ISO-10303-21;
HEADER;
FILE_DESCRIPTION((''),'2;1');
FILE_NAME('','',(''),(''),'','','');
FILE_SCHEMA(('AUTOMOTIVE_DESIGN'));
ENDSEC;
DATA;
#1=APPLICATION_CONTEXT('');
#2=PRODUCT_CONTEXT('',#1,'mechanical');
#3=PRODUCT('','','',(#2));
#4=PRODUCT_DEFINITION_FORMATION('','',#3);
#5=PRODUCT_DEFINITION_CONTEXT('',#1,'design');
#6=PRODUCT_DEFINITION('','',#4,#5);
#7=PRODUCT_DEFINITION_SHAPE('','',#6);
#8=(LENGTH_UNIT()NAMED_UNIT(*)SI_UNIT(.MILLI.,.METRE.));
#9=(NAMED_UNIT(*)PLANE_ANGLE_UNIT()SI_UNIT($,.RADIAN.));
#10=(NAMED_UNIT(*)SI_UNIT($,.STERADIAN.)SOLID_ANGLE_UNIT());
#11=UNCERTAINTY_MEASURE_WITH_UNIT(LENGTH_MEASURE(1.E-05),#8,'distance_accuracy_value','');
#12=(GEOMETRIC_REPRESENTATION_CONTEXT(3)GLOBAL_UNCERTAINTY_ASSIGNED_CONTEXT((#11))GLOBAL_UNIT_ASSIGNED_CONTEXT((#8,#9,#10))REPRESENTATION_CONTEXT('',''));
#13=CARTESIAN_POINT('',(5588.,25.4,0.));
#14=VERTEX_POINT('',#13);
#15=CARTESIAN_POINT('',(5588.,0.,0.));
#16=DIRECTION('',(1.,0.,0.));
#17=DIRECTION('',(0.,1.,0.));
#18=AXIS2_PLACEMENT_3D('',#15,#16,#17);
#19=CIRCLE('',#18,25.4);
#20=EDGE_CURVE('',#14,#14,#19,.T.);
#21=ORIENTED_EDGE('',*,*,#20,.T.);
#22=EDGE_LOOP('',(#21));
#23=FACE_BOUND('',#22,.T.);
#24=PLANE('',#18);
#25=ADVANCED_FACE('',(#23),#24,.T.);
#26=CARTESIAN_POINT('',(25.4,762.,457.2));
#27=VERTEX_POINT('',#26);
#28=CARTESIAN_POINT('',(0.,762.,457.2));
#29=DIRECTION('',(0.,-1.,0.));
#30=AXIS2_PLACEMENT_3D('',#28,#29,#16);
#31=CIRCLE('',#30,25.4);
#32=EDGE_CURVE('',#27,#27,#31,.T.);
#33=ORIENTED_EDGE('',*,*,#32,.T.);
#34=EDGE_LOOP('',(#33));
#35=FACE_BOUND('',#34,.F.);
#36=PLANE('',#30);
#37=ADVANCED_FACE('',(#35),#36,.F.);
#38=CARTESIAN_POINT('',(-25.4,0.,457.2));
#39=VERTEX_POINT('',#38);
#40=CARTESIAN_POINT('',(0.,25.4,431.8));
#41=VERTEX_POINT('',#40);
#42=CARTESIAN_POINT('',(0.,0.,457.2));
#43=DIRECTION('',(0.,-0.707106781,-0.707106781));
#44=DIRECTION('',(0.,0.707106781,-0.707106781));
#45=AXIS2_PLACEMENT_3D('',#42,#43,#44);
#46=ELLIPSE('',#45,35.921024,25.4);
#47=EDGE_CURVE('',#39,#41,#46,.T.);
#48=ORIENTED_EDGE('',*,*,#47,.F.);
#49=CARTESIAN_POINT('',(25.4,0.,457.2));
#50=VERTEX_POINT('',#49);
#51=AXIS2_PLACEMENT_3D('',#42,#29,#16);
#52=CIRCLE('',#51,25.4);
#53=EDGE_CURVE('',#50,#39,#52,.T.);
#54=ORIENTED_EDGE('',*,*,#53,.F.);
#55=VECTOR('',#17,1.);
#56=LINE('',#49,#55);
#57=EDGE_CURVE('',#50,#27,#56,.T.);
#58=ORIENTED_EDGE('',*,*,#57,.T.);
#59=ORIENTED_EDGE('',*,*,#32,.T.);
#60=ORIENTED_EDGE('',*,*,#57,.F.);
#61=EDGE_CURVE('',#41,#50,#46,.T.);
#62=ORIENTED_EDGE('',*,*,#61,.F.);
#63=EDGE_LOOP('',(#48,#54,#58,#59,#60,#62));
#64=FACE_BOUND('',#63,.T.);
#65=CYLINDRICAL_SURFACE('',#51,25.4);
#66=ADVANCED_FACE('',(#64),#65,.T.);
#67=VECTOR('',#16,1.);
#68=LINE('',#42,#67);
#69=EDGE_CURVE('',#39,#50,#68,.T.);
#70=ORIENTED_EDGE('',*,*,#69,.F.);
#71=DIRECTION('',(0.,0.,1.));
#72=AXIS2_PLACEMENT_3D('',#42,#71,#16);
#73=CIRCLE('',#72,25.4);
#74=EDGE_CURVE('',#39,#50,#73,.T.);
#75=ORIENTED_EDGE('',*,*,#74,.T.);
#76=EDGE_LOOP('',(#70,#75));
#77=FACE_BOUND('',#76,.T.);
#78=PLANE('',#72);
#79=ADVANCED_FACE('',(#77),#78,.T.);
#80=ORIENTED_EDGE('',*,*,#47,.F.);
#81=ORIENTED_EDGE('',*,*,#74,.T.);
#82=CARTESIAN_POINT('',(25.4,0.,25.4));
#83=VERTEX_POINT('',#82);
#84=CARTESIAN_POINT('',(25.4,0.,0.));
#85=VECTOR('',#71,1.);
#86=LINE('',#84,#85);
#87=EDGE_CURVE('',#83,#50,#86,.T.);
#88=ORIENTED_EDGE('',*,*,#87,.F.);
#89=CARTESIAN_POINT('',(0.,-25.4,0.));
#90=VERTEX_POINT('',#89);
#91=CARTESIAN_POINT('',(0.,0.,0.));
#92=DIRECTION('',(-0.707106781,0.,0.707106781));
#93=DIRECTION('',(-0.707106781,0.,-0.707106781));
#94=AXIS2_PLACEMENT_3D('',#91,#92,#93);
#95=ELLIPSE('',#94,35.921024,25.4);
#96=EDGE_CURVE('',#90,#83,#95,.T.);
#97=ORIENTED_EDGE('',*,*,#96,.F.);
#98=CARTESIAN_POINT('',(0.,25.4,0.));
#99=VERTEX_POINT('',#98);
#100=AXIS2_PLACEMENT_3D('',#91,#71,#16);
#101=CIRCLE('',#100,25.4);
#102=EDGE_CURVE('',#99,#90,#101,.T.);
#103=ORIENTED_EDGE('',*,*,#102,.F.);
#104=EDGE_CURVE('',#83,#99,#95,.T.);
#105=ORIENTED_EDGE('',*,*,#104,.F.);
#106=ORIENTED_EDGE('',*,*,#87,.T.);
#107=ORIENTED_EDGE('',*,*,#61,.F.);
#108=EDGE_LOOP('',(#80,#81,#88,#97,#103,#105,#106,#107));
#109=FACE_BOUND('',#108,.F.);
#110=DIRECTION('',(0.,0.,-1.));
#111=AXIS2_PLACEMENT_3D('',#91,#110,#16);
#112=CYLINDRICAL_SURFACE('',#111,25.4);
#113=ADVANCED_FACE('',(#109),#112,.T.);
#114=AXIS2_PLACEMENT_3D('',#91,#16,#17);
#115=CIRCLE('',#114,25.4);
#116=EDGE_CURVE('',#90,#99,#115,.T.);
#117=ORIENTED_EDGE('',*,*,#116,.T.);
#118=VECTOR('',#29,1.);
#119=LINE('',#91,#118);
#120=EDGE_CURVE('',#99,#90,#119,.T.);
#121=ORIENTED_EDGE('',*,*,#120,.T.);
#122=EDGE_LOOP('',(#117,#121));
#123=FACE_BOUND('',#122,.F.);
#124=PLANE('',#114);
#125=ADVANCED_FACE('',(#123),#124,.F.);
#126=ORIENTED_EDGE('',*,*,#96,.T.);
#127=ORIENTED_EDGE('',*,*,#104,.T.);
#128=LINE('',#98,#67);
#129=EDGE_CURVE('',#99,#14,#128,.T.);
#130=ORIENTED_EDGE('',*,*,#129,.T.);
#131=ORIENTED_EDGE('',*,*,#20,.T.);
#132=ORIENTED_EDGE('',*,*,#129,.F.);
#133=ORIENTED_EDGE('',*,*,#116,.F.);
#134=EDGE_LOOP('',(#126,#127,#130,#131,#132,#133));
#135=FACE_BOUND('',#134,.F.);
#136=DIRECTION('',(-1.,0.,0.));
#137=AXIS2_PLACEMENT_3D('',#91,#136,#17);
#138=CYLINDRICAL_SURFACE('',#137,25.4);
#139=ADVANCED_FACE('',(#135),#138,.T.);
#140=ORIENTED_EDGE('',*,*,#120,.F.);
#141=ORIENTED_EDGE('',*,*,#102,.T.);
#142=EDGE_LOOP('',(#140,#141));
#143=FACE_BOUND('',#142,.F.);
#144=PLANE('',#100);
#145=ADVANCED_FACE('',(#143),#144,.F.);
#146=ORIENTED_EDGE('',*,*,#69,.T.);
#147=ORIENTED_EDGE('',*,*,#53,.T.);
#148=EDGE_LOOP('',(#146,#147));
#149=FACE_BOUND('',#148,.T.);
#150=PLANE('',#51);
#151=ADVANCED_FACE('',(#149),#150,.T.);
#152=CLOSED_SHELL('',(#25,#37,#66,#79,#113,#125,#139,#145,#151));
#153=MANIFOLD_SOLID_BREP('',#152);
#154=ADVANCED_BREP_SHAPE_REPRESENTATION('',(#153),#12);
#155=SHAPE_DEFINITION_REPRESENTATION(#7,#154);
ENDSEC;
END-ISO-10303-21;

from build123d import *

# Parameters (mm, degrees)
F0_R     = 25.4
F1_DEPTH = 5588
F2_R     = 25.4
F3_DEPTH = 457.2
F5_R     = 25.4
F6_DEPTH = 762


with BuildPart() as f1:
    # F0 (on Right) → F1 (new body)
    with BuildSketch(Plane.YZ):
        Circle(F0_R)
    extrude(amount=F1_DEPTH)

    # F2 (on Top) → F3 (join)
    with BuildSketch(Plane.XY):
        Circle(F2_R)
    extrude(amount=F3_DEPTH)

    # F5 (on Front) → F6 (join)
    with BuildSketch(Plane.XZ):
        with Locations((0, 457.2)):
            Circle(F5_R)
    extrude(amount=-F6_DEPTH)


solid = f1.part
